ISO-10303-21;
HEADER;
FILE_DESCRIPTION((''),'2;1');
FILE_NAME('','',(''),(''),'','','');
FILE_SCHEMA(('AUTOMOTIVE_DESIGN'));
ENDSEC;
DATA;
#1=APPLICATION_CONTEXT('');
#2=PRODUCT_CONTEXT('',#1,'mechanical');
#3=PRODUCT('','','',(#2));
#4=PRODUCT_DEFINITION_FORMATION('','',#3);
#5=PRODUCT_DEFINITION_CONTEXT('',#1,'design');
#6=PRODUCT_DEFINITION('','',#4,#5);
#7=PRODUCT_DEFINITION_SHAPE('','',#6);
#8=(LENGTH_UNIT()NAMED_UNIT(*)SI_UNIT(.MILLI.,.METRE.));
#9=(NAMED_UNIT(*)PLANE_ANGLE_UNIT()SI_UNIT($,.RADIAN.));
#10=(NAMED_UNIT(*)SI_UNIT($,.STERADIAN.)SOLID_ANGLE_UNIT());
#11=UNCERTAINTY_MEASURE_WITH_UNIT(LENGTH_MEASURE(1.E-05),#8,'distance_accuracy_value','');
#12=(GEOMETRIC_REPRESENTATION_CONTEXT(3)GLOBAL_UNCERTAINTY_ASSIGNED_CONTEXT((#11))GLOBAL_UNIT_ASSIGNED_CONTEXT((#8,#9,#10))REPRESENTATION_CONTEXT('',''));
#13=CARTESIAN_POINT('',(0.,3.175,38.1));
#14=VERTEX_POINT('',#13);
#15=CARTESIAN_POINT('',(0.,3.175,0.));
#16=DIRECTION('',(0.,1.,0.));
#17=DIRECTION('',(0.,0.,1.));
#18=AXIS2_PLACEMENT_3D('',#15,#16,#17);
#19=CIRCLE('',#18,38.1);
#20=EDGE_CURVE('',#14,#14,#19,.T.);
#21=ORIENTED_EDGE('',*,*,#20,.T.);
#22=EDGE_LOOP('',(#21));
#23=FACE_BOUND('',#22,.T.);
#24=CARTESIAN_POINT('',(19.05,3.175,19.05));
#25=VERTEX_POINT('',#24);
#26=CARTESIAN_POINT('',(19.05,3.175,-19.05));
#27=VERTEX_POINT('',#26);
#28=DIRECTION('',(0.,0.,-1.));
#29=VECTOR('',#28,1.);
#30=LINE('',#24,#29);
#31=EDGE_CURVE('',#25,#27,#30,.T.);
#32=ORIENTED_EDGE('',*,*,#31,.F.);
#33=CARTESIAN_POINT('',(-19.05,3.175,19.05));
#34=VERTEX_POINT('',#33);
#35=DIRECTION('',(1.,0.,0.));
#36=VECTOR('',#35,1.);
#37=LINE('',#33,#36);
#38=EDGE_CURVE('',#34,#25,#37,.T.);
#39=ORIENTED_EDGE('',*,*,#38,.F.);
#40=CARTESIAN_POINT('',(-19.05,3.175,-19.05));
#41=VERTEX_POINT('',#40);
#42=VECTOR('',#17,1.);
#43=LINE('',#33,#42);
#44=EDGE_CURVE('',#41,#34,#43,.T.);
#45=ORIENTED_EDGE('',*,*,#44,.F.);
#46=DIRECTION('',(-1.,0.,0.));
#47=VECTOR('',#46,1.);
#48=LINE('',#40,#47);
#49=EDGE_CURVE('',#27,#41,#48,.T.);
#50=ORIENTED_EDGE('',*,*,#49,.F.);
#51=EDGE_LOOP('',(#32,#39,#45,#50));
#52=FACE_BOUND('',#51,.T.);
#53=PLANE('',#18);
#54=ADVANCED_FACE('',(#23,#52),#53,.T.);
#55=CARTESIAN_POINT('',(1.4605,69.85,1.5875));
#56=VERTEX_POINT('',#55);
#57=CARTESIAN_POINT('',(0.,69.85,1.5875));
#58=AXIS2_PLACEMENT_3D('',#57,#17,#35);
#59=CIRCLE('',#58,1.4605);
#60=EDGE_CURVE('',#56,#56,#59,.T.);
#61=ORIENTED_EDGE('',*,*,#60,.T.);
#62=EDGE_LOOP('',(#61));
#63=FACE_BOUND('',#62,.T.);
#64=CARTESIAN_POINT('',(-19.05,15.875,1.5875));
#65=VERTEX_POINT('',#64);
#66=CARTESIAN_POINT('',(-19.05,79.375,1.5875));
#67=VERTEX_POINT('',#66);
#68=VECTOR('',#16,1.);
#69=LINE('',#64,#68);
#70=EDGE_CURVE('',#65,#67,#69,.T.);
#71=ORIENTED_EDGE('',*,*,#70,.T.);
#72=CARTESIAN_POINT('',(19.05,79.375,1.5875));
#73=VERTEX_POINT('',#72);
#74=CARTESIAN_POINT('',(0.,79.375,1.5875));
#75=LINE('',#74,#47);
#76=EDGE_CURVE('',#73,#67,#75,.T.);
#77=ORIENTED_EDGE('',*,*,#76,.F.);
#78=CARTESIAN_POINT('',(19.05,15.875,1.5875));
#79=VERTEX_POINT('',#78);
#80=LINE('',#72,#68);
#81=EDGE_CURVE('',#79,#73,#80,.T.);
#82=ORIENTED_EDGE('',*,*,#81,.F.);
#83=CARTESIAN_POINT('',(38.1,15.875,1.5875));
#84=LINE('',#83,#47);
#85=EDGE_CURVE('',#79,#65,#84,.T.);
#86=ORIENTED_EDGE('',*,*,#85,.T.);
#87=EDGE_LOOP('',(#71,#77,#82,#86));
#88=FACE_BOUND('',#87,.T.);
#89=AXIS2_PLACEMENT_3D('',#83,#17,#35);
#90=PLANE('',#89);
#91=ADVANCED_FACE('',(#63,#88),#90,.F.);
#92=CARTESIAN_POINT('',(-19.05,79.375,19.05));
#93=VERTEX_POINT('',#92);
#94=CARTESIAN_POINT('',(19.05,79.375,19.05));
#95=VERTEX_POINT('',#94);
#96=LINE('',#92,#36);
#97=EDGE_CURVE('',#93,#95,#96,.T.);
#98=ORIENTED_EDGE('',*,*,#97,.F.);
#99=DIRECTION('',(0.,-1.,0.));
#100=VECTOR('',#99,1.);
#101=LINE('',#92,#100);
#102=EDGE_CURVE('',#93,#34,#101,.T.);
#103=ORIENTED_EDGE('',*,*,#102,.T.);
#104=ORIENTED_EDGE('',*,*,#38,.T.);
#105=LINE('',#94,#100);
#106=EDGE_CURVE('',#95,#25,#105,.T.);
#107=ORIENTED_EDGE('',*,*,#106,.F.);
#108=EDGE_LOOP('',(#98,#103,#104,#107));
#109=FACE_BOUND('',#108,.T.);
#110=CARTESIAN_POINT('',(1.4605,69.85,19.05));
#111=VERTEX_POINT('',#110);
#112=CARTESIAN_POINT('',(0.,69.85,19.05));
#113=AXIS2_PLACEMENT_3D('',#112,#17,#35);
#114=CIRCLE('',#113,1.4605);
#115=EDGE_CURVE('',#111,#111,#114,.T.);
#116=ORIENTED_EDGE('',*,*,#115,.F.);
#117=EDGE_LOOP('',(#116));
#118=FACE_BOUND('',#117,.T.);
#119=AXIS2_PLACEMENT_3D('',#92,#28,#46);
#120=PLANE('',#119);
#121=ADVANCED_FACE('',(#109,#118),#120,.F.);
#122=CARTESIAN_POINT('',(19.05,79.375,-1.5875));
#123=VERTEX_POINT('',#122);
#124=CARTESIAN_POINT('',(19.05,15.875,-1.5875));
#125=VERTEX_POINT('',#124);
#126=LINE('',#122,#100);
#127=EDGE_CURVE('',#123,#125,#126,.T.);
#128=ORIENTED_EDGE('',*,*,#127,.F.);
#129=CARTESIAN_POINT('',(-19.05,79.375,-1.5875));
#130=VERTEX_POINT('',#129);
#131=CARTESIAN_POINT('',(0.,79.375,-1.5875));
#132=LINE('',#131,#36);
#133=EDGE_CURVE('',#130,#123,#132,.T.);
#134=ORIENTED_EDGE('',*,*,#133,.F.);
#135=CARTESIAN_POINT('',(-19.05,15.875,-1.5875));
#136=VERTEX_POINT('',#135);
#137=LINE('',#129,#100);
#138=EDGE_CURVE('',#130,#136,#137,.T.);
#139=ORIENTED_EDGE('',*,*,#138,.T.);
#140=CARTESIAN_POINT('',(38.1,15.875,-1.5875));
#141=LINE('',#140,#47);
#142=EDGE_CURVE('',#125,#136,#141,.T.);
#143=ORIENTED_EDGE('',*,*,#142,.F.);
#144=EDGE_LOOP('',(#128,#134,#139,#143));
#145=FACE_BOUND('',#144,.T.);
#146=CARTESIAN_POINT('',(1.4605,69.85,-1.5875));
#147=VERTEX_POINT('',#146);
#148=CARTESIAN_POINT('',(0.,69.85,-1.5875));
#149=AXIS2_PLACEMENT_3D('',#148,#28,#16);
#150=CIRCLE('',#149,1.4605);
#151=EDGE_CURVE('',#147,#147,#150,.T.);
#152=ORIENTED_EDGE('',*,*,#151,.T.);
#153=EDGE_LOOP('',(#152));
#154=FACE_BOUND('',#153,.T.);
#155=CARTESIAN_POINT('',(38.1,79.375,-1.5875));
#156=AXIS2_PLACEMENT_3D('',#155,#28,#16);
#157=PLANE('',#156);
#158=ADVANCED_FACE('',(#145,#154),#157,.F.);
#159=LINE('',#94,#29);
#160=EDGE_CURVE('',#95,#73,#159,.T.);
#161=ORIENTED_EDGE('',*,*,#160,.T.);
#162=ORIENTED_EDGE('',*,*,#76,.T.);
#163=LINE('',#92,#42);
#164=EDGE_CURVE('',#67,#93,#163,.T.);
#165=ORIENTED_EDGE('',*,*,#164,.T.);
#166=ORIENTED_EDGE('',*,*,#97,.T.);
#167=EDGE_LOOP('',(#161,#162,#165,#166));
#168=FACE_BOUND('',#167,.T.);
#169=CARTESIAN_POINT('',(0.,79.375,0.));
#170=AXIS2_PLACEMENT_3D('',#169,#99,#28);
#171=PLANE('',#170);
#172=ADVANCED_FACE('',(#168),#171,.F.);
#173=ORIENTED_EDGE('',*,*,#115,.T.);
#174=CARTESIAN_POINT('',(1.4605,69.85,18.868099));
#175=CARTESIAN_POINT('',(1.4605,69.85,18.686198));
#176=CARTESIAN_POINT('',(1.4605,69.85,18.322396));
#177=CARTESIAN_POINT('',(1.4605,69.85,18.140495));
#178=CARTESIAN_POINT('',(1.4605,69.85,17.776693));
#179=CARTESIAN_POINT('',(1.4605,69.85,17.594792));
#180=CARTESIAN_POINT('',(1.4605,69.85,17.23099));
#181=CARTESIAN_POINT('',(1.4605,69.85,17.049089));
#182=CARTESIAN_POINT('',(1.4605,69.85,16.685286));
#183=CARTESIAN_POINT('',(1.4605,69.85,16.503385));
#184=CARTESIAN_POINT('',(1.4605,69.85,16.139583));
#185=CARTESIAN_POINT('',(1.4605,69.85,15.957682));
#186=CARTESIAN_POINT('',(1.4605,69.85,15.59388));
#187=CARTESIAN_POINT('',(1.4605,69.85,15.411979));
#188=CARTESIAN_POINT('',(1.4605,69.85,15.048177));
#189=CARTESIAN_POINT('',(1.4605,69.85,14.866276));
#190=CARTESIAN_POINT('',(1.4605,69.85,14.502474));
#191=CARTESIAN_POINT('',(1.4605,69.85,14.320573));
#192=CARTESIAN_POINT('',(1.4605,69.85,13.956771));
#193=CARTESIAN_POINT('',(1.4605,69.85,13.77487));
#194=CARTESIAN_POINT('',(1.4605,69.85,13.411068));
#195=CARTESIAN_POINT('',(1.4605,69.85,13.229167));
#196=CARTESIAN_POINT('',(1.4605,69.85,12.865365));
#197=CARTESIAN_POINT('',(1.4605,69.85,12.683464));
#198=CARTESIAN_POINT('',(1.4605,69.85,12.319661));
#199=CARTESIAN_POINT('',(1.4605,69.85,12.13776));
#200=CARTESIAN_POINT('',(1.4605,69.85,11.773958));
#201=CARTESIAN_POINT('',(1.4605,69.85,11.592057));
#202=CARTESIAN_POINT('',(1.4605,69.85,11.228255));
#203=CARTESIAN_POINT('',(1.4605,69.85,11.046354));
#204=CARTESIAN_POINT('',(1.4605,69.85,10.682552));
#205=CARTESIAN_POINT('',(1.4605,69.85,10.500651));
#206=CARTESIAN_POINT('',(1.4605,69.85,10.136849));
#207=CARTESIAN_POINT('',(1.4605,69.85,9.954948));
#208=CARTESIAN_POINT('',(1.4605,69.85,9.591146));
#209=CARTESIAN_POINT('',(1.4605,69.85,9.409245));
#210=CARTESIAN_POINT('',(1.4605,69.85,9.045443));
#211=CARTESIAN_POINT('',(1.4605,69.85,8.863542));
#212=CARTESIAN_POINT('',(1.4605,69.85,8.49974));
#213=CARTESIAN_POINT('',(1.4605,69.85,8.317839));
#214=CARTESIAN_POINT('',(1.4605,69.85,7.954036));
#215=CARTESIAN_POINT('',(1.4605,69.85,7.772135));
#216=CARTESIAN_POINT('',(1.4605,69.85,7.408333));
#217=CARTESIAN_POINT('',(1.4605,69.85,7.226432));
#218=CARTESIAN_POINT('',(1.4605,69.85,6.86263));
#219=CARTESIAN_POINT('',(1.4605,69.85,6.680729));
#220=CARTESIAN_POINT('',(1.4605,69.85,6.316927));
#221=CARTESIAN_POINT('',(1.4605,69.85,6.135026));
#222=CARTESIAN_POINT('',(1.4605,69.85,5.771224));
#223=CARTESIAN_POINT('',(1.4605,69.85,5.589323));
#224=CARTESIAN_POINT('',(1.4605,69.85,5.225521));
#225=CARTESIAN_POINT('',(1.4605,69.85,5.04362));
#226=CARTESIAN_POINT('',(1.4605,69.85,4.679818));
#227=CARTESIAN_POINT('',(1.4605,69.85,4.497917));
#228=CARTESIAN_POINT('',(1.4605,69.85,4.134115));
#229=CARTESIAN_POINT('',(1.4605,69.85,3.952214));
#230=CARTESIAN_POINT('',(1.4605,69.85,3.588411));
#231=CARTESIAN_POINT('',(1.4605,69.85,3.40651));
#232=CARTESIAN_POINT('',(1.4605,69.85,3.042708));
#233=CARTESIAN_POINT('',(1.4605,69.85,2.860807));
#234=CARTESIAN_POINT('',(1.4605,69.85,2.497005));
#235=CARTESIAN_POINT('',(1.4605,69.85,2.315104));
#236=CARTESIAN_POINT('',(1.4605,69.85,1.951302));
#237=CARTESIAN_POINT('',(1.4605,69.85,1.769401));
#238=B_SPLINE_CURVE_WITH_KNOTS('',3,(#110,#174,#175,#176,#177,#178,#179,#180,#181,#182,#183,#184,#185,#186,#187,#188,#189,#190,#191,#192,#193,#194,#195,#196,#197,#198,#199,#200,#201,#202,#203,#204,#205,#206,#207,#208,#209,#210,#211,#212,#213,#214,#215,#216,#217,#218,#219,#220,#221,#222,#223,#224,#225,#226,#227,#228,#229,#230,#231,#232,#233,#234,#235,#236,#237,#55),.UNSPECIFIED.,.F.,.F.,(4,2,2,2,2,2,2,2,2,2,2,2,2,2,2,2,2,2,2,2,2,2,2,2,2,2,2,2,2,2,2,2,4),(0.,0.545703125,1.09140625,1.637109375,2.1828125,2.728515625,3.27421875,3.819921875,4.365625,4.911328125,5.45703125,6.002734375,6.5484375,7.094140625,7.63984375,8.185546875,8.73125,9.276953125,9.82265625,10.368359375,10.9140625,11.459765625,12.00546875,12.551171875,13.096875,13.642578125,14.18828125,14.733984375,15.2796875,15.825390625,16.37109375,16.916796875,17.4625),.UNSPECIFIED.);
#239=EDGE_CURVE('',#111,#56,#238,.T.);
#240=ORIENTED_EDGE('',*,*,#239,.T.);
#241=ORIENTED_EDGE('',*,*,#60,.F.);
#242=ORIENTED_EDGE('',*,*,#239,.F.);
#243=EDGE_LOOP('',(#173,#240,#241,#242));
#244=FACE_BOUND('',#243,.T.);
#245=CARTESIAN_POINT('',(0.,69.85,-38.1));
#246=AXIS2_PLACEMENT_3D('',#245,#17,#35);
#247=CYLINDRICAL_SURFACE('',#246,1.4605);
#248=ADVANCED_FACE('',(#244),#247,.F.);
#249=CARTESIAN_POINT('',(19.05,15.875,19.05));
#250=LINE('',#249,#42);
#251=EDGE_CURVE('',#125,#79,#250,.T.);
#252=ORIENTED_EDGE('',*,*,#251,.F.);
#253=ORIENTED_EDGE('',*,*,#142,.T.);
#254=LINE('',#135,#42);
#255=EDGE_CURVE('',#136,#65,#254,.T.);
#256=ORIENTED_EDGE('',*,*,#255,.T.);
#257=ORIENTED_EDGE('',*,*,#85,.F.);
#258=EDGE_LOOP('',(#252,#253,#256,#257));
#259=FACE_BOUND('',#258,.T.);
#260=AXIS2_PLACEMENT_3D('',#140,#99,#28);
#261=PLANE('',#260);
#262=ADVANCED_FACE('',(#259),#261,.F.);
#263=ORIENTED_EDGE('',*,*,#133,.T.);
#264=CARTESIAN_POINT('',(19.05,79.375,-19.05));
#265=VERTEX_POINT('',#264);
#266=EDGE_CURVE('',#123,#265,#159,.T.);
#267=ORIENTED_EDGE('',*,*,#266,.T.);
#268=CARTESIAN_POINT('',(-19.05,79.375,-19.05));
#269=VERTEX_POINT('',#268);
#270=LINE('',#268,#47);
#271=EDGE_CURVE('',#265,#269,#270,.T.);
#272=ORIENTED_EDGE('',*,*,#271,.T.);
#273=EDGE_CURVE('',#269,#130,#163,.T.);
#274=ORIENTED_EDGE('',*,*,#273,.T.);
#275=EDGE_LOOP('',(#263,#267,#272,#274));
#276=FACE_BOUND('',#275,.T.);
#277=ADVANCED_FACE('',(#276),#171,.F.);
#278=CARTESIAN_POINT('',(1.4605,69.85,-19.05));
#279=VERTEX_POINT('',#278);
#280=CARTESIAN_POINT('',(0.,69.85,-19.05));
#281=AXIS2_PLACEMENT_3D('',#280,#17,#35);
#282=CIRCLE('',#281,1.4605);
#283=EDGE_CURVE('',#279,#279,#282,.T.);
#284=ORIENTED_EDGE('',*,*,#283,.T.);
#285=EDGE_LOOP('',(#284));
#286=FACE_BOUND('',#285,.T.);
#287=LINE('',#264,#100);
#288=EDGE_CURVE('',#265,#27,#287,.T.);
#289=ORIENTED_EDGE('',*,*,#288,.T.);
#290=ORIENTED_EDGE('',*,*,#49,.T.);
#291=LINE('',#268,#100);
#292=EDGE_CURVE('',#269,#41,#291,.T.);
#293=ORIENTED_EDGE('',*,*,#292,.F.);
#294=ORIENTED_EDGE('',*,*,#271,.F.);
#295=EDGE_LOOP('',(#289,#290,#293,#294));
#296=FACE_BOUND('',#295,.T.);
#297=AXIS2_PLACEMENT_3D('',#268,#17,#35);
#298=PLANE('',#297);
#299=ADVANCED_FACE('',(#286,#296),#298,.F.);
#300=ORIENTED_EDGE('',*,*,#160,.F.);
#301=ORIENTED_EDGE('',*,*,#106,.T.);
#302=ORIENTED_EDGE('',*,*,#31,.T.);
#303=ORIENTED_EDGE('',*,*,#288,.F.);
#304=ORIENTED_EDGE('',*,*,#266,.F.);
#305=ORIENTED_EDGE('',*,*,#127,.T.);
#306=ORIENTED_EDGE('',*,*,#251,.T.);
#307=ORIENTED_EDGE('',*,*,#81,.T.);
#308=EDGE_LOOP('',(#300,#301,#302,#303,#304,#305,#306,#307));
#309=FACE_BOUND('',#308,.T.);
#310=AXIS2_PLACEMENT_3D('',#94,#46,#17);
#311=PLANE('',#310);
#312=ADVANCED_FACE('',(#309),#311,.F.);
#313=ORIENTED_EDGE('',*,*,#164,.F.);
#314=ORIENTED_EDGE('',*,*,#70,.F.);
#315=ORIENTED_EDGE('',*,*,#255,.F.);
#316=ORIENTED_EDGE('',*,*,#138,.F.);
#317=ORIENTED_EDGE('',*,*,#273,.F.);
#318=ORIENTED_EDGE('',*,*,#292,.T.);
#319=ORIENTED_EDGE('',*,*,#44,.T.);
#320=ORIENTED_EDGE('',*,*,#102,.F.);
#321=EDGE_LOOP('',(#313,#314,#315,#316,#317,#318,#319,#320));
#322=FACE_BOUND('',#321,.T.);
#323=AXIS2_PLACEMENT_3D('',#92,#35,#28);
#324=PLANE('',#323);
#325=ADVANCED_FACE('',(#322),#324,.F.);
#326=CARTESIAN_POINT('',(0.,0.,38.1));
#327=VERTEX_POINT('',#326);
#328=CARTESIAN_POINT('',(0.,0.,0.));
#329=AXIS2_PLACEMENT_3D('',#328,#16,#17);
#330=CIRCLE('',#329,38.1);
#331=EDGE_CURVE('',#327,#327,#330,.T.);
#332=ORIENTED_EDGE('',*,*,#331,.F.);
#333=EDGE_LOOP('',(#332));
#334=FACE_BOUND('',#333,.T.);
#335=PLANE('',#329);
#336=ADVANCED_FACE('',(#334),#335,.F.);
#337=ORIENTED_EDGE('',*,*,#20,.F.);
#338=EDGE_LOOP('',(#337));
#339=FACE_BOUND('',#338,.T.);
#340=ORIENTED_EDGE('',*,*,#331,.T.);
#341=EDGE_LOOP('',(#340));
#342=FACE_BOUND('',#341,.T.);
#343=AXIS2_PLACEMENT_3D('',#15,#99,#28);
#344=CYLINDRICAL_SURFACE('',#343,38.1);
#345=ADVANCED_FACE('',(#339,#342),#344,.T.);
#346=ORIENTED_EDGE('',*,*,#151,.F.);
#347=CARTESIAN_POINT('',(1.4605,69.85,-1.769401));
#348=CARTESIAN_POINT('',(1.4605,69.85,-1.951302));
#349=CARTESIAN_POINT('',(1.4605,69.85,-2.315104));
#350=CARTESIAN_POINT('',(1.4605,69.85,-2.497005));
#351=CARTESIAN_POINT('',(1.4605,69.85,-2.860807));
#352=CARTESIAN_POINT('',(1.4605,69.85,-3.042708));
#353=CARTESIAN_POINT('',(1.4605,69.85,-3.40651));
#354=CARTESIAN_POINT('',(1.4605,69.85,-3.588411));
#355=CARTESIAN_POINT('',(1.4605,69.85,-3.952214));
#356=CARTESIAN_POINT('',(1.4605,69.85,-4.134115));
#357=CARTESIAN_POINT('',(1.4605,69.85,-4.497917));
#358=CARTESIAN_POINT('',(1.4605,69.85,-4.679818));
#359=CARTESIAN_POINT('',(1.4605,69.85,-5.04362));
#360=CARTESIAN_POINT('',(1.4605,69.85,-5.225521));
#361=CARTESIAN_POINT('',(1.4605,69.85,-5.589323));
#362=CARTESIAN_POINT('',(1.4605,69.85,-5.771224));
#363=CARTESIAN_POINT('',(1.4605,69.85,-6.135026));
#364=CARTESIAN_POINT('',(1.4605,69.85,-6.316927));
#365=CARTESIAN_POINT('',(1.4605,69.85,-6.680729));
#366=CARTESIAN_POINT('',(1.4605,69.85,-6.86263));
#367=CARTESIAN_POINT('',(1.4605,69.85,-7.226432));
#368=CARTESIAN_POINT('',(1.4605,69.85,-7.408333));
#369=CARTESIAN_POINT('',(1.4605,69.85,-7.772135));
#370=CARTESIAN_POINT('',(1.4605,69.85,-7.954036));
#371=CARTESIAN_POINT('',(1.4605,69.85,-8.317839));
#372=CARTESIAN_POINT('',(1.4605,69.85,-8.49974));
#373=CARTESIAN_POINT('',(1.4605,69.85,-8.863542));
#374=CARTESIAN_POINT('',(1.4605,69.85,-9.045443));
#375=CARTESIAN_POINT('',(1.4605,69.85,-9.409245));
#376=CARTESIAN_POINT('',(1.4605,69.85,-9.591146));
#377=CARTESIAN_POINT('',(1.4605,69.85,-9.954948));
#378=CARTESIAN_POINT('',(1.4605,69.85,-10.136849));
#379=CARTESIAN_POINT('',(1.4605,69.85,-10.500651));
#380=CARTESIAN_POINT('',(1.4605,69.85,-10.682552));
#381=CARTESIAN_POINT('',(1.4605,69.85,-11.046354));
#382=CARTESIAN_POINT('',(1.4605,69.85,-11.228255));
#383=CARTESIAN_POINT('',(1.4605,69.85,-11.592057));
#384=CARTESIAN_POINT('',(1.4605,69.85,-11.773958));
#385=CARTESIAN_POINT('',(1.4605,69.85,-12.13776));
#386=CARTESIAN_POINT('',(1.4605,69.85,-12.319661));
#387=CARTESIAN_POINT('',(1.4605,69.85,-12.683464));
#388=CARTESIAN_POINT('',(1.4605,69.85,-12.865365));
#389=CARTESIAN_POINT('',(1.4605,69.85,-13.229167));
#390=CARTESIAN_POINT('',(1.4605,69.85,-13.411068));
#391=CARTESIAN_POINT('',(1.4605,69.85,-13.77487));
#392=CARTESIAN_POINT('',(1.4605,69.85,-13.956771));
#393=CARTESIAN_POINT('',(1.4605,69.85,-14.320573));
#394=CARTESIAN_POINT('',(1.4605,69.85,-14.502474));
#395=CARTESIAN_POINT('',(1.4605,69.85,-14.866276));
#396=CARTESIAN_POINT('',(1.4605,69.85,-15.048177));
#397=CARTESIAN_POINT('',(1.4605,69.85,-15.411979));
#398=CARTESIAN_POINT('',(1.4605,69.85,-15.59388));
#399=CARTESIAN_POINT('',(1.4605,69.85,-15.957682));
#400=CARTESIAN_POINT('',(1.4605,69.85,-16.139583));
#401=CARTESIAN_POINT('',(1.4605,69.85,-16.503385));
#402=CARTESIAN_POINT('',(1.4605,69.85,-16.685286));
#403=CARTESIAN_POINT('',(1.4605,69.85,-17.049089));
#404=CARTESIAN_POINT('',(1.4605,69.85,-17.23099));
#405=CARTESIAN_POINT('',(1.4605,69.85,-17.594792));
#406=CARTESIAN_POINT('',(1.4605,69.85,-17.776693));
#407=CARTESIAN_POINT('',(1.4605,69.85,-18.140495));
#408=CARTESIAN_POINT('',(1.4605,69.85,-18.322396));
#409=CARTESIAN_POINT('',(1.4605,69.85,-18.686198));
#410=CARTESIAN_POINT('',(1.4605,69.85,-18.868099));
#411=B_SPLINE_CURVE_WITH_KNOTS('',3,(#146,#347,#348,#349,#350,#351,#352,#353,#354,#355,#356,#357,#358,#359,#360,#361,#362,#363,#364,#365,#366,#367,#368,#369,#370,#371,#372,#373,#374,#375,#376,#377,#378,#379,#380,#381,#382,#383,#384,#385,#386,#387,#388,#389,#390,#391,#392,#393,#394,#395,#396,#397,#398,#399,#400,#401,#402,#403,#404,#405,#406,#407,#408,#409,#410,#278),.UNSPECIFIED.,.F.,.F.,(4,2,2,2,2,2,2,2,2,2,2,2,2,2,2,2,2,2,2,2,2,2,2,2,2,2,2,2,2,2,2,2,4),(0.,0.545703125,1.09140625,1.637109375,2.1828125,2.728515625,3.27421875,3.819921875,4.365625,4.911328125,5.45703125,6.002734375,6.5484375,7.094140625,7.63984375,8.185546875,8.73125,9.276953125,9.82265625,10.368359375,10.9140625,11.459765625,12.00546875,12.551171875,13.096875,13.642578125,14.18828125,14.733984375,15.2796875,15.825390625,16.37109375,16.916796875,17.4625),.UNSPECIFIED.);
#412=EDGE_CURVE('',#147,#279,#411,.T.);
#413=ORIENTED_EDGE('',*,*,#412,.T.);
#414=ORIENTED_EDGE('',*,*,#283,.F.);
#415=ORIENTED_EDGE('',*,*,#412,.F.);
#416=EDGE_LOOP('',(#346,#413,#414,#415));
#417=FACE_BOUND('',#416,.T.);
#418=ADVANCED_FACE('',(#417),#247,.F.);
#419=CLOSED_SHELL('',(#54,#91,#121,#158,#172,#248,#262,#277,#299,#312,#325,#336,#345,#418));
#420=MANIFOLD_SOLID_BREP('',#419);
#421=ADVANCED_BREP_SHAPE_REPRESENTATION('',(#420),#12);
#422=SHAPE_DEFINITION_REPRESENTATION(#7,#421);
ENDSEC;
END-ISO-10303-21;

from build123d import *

# Parameters (mm, degrees)
SKETCH1_R           = 38.1
BOSS_EXTRUDE1_DEPTH = 3.175
SKETCH2_W           = 38.1
SKETCH2_H           = 38.1
BOSS_EXTRUDE3_DEPTH = 76.2
CUT_EXTRUDE1_DEPTH  = 105.967247868
SKETCH6_R           = 1.4605
CUT_EXTRUDE2_DEPTH  = 105.967247868


with BuildPart() as part:
    # Sketch1 → Boss-Extrude1 (new body)
    with BuildSketch(Plane(origin=(0, 0, 0), x_dir=(1, 0, 0), z_dir=(0, 1, 0))):
        with Locations(Location((0, 0, 0), (0, 0, 270))):
            Circle(SKETCH1_R)
    extrude(amount=BOSS_EXTRUDE1_DEPTH)

    # Sketch2 → Boss-Extrude3 (add)
    with BuildSketch(Plane(origin=(0, 3.175, 0), x_dir=(1, 0, 0), z_dir=(0, 1, 0))):
        Rectangle(SKETCH2_W, SKETCH2_H)
    extrude(amount=BOSS_EXTRUDE3_DEPTH)

    # Sketch5 → Cut-Extrude1 (cut, through all)
    with BuildSketch(Plane.ZY.offset(19.05)):
        Polygon((0, 79.375), (-1.5875, 79.375), (-1.5875, 15.875), (1.5875, 15.875), (1.5875, 79.375), align=None)
    extrude(amount=-CUT_EXTRUDE1_DEPTH, mode=Mode.SUBTRACT)

    # Sketch6 → Cut-Extrude2 (cut, through all)
    with BuildSketch(Plane.XY.offset(19.05)):
        with Locations((0, 69.85)):
            Circle(SKETCH6_R)
    extrude(amount=-CUT_EXTRUDE2_DEPTH, mode=Mode.SUBTRACT)


solid = part.part
